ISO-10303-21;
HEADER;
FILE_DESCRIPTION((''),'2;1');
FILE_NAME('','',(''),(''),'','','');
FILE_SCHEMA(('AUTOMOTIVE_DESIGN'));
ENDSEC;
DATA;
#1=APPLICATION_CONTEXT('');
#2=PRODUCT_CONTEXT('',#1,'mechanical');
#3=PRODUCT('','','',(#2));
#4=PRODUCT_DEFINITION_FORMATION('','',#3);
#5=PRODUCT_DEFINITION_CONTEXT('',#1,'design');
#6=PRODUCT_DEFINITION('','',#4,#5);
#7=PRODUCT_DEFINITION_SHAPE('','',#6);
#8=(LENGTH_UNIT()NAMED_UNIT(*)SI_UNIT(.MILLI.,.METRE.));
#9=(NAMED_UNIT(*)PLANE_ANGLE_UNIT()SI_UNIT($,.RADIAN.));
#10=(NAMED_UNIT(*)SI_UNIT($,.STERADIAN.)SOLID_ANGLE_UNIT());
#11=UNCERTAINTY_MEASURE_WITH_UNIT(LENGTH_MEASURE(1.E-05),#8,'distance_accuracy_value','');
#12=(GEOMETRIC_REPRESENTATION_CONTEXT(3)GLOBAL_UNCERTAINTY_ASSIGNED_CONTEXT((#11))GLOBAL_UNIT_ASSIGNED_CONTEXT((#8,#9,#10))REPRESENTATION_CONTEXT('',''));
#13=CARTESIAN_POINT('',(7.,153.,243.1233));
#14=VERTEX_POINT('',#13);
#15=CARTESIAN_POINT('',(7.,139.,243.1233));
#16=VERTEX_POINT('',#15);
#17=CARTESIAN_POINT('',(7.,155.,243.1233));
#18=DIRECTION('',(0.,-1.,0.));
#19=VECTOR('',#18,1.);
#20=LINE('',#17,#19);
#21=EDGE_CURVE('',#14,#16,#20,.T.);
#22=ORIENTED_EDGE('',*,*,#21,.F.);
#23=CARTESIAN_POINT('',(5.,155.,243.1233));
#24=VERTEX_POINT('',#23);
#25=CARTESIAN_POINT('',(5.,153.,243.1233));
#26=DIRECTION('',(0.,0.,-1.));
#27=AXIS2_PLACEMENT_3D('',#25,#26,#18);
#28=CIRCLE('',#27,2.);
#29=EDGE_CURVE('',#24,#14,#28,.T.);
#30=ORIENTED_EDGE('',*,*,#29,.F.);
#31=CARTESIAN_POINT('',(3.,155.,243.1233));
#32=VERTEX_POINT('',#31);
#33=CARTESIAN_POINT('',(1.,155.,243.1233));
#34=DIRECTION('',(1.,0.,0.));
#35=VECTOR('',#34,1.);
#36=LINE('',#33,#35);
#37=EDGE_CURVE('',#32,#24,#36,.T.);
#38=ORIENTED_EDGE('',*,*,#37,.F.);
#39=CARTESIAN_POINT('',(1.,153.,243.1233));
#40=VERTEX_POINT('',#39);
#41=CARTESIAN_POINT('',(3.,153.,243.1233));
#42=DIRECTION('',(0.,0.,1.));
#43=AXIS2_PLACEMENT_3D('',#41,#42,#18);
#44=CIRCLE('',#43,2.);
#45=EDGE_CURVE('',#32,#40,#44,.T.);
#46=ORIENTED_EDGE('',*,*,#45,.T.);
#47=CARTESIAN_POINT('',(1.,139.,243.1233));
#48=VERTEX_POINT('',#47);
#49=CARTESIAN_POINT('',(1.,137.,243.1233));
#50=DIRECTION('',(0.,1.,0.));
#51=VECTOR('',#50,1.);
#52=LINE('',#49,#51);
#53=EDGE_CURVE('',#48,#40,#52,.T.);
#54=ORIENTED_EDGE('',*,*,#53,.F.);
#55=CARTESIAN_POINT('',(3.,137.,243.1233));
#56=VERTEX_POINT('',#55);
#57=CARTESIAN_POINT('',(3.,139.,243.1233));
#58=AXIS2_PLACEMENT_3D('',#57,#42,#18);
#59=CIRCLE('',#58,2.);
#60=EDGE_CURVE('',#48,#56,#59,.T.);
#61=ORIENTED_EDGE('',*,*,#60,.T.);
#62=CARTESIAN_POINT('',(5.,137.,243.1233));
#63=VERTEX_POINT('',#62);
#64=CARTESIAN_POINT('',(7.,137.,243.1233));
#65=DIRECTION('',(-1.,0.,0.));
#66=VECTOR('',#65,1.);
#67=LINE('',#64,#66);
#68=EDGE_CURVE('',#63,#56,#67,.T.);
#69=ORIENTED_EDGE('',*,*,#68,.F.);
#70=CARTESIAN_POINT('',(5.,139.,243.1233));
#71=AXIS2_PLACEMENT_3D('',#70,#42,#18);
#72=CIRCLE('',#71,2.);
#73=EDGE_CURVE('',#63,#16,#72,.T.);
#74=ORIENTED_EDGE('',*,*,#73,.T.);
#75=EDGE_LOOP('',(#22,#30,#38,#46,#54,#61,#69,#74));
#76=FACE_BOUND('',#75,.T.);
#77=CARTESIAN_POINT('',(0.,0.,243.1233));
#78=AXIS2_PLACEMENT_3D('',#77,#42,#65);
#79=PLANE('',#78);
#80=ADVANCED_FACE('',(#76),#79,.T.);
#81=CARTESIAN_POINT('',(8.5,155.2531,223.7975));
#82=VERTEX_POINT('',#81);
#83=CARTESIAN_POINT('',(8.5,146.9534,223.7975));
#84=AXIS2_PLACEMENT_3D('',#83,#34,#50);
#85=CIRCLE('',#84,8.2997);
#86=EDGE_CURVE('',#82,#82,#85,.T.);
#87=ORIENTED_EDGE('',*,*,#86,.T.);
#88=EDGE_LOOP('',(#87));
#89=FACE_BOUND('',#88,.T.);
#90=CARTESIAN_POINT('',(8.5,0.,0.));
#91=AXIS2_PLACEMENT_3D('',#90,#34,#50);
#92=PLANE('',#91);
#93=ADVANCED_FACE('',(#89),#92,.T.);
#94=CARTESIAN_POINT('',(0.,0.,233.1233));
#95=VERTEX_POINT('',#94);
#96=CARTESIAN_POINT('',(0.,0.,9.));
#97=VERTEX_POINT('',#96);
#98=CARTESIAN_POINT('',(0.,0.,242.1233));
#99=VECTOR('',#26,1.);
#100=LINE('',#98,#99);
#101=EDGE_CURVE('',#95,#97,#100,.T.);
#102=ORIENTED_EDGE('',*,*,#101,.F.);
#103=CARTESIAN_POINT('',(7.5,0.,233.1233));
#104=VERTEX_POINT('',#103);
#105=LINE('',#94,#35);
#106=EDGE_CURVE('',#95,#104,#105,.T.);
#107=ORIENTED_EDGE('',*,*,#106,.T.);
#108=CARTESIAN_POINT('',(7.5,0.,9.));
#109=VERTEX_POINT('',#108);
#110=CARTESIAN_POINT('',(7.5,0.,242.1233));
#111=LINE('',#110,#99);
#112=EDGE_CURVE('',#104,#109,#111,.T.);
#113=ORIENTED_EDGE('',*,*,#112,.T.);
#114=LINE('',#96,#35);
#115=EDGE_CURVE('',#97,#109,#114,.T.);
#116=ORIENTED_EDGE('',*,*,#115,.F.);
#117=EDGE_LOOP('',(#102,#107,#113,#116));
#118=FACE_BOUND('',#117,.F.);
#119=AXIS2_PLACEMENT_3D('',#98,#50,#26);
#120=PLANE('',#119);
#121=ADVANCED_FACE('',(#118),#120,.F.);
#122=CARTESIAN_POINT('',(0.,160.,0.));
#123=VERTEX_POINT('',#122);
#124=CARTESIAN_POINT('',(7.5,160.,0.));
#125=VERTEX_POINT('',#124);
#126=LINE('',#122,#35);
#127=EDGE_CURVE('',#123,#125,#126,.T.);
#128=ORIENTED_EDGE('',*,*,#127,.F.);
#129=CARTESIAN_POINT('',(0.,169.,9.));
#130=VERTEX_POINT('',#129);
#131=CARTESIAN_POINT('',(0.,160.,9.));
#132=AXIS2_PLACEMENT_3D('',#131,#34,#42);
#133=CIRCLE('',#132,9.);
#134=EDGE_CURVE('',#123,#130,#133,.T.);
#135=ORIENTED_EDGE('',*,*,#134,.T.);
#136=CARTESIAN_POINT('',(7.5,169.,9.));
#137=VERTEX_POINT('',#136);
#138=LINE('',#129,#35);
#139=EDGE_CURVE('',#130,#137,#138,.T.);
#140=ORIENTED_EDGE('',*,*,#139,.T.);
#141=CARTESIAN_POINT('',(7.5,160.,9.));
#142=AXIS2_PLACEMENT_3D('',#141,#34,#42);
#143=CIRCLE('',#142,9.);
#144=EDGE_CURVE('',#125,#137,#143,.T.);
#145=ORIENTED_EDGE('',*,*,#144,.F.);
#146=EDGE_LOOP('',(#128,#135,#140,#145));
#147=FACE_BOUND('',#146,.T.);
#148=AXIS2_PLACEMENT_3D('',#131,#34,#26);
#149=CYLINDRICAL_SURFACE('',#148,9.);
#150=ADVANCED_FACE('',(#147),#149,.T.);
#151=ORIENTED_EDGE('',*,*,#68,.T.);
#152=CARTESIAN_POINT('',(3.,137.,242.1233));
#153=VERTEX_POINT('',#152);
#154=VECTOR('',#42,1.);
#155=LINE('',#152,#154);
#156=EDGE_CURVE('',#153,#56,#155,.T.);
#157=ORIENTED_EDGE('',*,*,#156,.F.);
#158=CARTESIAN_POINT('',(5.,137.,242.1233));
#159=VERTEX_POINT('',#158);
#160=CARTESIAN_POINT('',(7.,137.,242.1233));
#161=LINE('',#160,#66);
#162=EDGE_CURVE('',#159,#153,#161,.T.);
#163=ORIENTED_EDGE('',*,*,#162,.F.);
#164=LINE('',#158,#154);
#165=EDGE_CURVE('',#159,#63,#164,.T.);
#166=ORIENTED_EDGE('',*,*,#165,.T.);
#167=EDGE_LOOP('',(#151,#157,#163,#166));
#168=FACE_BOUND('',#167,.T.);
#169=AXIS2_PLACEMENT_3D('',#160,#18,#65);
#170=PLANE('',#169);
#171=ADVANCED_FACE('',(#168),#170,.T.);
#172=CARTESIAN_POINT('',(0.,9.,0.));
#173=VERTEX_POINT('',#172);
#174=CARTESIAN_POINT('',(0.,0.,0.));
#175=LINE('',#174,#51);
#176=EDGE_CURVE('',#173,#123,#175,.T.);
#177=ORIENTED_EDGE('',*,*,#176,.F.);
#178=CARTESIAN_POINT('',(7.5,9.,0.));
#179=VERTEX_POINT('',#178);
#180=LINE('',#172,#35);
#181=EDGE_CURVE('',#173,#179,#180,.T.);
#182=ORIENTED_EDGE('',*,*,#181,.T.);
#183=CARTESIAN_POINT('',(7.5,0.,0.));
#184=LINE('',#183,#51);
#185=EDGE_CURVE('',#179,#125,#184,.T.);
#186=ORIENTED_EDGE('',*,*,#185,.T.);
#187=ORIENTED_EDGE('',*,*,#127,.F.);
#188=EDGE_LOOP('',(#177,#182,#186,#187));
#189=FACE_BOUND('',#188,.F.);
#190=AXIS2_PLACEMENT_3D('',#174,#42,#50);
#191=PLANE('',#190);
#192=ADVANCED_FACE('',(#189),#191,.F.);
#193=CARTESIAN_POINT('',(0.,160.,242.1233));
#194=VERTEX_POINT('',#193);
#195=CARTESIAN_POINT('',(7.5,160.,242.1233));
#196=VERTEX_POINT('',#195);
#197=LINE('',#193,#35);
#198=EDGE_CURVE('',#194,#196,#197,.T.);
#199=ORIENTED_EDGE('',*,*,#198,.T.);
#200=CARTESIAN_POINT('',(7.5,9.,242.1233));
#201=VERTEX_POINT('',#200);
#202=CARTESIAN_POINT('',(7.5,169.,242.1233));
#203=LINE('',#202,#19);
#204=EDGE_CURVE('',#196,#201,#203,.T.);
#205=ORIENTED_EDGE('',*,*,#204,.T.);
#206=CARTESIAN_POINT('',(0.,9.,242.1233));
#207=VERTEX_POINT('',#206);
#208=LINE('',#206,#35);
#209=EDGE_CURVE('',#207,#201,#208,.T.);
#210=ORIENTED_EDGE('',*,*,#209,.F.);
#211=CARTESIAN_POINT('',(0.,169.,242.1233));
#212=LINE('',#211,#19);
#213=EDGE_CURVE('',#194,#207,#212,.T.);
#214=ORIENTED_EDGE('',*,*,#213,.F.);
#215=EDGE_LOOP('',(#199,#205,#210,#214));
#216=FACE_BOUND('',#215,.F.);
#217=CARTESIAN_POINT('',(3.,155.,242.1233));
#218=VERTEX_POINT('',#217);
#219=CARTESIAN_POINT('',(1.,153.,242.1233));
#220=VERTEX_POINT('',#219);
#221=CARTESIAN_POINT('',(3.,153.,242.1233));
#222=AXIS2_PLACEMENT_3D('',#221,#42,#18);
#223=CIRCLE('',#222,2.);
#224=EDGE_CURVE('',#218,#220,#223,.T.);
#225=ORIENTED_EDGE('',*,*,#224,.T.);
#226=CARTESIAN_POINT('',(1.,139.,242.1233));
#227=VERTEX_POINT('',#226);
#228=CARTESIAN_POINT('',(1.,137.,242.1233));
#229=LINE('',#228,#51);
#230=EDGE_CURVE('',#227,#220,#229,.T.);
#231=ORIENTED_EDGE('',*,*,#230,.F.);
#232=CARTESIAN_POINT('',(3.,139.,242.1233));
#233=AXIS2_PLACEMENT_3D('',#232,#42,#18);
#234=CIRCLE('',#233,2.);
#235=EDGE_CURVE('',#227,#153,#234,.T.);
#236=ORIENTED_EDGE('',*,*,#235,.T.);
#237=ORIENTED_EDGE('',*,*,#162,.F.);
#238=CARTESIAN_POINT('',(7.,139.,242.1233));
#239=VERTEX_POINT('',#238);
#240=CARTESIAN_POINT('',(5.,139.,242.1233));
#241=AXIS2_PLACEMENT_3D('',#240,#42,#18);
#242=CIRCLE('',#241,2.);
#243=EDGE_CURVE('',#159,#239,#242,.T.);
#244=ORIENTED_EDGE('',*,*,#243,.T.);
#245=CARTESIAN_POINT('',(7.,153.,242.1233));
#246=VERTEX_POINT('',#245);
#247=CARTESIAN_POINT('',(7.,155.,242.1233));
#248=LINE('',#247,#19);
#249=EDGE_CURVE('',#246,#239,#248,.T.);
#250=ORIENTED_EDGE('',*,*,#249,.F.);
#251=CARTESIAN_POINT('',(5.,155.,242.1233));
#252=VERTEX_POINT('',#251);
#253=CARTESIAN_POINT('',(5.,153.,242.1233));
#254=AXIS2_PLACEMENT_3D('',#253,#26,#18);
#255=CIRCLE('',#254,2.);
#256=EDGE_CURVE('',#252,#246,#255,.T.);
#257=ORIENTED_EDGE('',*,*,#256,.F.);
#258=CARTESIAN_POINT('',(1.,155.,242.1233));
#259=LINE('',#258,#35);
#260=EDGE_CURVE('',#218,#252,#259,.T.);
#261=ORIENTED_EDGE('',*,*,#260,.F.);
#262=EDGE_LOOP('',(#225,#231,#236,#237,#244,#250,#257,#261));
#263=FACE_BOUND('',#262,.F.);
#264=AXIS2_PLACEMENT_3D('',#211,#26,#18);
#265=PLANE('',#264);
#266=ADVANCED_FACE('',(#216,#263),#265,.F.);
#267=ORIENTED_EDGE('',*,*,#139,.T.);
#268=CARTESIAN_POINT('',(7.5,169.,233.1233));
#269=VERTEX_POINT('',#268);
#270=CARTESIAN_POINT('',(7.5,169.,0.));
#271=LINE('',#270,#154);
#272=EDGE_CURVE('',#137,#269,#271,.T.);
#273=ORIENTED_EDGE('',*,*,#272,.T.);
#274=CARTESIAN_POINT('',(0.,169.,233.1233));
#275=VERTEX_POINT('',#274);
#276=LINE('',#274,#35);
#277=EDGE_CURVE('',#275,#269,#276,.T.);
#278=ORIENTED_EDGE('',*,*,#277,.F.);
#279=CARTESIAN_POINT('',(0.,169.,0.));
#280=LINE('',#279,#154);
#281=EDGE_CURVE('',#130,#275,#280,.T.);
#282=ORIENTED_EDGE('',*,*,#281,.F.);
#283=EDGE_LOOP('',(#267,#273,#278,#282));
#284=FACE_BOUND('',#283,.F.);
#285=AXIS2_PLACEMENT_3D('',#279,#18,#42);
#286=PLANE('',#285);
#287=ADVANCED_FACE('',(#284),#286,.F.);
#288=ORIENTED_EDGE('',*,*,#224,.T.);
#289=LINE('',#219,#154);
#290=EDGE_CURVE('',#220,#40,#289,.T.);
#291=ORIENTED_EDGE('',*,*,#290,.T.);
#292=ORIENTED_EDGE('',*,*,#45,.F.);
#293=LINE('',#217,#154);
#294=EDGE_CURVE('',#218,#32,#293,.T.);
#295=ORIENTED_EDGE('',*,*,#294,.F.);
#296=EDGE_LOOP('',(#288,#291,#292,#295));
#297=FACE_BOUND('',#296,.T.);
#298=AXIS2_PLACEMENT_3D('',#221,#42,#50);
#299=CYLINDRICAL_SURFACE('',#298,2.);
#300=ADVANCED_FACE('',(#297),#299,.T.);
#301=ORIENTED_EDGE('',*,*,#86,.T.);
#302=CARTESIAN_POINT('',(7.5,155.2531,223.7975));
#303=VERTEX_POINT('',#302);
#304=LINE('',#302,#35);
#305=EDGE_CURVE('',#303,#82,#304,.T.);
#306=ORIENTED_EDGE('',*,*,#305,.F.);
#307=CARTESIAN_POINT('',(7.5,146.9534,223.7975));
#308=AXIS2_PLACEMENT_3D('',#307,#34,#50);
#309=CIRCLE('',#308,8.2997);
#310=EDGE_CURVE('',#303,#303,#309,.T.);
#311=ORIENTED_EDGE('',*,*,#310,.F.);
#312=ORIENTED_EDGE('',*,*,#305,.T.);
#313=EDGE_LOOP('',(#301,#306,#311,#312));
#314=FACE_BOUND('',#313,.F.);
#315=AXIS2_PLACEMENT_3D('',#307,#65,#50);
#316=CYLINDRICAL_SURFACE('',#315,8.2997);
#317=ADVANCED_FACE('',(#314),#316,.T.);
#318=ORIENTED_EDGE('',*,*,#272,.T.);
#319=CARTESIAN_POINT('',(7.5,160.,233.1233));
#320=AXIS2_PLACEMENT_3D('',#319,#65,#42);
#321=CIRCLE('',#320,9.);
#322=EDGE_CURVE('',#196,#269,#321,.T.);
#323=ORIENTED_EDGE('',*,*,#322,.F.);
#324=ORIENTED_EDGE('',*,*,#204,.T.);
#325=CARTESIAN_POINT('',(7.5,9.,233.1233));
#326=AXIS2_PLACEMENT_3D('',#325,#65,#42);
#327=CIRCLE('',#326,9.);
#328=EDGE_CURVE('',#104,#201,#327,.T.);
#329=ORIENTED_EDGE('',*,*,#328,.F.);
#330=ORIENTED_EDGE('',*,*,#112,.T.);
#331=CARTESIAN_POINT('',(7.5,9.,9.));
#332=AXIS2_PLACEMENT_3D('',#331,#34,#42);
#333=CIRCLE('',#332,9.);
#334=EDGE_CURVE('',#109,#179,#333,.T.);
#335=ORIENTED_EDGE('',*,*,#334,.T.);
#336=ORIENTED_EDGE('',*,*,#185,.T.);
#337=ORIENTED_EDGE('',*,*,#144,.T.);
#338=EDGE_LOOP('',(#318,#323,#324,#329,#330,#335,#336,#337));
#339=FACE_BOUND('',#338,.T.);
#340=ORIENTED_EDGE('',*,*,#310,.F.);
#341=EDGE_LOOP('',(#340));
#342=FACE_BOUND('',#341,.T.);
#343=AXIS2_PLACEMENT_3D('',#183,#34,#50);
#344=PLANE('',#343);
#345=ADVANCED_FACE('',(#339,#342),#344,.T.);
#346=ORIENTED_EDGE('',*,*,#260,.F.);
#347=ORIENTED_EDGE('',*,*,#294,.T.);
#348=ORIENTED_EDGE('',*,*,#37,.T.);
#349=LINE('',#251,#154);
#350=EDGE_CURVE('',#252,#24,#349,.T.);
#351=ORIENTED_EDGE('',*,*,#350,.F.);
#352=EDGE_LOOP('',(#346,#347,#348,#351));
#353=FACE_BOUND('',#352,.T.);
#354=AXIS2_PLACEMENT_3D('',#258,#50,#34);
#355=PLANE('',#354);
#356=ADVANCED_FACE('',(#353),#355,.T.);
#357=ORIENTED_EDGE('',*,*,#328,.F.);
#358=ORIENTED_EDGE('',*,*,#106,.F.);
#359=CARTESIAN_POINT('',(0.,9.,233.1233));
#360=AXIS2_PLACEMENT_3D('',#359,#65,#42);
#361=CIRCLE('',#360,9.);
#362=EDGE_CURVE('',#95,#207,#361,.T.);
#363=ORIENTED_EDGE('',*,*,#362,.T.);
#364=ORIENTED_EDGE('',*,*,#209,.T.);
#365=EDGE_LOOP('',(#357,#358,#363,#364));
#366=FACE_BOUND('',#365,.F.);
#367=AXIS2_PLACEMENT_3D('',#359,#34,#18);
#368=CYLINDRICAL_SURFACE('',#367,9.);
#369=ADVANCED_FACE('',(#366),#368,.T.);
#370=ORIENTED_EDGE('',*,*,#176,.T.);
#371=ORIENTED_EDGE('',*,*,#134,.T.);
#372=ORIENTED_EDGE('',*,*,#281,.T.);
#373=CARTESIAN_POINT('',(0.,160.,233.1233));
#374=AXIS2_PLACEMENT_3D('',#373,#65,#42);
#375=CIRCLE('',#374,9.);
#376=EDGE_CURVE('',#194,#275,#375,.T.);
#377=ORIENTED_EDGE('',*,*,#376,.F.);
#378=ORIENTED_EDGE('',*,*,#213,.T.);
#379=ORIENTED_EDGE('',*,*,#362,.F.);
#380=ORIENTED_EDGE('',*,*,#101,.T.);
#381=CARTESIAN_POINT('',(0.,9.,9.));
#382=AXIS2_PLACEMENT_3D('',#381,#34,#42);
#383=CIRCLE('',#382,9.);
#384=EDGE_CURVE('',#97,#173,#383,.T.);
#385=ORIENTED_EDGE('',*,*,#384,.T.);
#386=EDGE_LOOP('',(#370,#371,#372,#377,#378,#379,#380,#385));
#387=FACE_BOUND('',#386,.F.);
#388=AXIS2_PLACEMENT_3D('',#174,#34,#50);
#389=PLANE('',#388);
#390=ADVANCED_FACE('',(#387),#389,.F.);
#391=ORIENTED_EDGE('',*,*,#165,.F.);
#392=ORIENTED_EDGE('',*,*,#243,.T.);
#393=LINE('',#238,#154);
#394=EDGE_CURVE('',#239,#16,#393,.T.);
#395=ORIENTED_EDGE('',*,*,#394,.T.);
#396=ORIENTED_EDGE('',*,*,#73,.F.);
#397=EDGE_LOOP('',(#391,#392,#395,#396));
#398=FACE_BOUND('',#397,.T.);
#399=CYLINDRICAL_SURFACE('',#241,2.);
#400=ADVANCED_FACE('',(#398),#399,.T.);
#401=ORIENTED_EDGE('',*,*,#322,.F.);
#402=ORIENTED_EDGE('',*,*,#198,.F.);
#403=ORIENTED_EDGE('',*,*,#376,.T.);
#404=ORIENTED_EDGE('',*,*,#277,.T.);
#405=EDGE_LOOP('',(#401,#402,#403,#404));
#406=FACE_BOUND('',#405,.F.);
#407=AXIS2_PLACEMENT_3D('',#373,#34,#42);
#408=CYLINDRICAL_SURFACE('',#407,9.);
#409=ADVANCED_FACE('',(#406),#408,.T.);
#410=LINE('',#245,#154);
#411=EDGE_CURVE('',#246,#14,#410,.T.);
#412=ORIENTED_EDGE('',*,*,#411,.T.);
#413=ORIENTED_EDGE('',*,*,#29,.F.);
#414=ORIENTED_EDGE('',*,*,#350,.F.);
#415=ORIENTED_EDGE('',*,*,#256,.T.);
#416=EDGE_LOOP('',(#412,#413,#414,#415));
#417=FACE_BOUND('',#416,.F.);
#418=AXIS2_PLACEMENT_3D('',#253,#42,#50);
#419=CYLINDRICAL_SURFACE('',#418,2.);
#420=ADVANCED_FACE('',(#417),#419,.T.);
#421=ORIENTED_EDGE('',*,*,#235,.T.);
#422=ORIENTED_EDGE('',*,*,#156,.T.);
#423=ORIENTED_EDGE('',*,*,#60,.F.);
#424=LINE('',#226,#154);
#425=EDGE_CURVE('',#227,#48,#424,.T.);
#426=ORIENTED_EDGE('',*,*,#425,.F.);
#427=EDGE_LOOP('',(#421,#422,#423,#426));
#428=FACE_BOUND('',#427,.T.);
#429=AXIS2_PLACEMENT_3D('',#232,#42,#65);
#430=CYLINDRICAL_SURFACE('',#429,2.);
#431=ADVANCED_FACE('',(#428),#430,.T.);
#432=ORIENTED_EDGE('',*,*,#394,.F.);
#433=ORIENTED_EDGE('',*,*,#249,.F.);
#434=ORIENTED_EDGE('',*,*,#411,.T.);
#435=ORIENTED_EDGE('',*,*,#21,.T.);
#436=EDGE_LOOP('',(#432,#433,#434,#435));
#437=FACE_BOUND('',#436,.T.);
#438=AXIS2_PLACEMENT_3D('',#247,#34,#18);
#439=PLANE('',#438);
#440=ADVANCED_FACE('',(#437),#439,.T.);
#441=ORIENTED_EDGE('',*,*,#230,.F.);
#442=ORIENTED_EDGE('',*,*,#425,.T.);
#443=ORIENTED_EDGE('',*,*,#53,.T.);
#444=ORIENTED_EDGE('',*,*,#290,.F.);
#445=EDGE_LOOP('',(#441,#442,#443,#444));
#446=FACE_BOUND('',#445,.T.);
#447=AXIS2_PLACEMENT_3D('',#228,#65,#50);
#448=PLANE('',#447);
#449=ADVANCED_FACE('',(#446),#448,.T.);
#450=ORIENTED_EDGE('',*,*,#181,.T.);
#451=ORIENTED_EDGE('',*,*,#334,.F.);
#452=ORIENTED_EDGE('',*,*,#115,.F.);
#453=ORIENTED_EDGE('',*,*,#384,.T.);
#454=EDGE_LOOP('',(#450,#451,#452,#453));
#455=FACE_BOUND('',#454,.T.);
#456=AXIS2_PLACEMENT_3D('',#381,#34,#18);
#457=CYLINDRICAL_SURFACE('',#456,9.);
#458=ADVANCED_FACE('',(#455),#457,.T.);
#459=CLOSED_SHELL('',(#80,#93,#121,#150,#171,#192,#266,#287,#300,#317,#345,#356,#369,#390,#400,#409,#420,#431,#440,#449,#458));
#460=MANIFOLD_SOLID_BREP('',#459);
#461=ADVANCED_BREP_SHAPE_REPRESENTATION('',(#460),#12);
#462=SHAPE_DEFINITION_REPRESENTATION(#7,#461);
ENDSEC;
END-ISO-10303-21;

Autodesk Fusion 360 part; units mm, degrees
sketch "Sketch1" plane through (0, 0, 0) normal (1, 0, 0) x (0, 1, 0)
  line L0 (0, 0) -> (169, 0)
  line L1 (169, 0) -> (169, 242.1233)
  line L2 (169, 242.1233) -> (0, 242.1233)
  line L3 (0, 242.1233) -> (0, 0)
  dimension "d1" = 169
extrude "Extrude1" add sketch "Sketch1" along normal blind 7.5
sketch "Sketch2" plane through (0, 0, 0) normal (-1, 0, 0) x (0, -1, 0)
  line L0 (0, 0) -> (0, 242.1233)
  line L1 (0, 242.1233) -> (-169, 242.1233)
  line L2 (-169, 242.1233) -> (-169, 0)
  line L3 (-169, 0) -> (0, 0)
fillet "Fillet1" radius 9 1 edges at (3.75, 0, 242.1233)
fillet "Fillet2" radius 9 1 edges at (3.75, 169, 242.1233)
fillet "Fillet3" radius 9 1 edges at (3.75, 0, 0)
fillet "Fillet4" radius 9 1 edges at (3.75, 169, 0)
sketch "Sketch3" plane through (0, 0, 0) normal (-1, 0, 0) x (0, -1, 0)
  circle A0 centre (-85, 235) radius 5
sketch "Sketch4" plane through (0, 0, 0) normal (-1, 0, 0) x (0, -1, 0)
  circle A0 centre (-84.9515, 235.215) radius 0
sketch "Sketch5" plane through (0, 0, 0) normal (-1, 0, 0) x (0, -1, 0)
  circle A0 centre (-85.1812, 235.1149) radius 3
  dimension "d8" = 6
sketch "Sketch6" plane through (0, 0, 0) normal (-1, 0, 0) x (0, -1, 0)
  line L0 (-10, 230) -> (-160, 230)
  line L1 (-160, 230) -> (-160, 10)
  line L2 (-160, 10) -> (-10, 10)
  line L3 (-10, 10) -> (-10, 230)
sketch "Sketch7" plane through (0, 0, 0) normal (-1, 0, 0) x (0, -1, 0)
sketch "Sketch8" plane through (0, 0, 0) normal (-1, 0, 0) x (0, -1, 0)
sketch "Sketch9" plane through (0, 0, 0) normal (-1, 0, 0) x (0, -1, 0)
sketch "Sketch10" plane through (0, 0, 0) normal (-1, 0, 0) x (0, -1, 0)
sketch "Sketch11" plane through (0, 0, 0) normal (0, 0, -1) x (1, 0, 0)
  line L0 (0, -160) -> (7.5, -160)
  line L1 (7.5, -160) -> (7.5, -9)
  line L2 (7.5, -9) -> (0, -9)
  line L3 (0, -9) -> (0, -160)
sketch "Sketch12" plane through (0, 0, 242.1233) normal (0, 0, 1) x (-1, 0, 0)
  line L0 (-7.5, -160) -> (0, -160)
  line L1 (0, -160) -> (0, -9)
  line L2 (0, -9) -> (-7.5, -9)
  line L3 (-7.5, -9) -> (-7.5, -160)
  line L4 (-1, -155) -> (-7, -155)
  line L5 (-7, -155) -> (-7, -137)
  line L6 (-7, -137) -> (-1, -137)
  line L7 (-1, -137) -> (-1, -155)
extrude "Extrude2" add sketch "Sketch12" along normal blind 1 contours L4 L5 L6 L7
fillet "Fillet5" radius 2 1 edges at (1, 155, 242.6233)
fillet "Fillet6" radius 2 1 edges at (7, 155, 242.6233)
fillet "Fillet7" radius 2 1 edges at (1, 137, 242.6233)
fillet "Fillet8" radius 2 1 edges at (7, 137, 242.6233)
sketch "Sketch13" plane through (7.5, 0, 0) normal (1, 0, 0) x (0, 1, 0)
  arc A0 (160, 0) -> (169, 9) centre (160, 9) ccw
  line L0 (169, 9) -> (169, 233.1233)
  arc A1 (169, 233.1233) -> (160, 242.1233) centre (160, 233.1233) ccw
  line L1 (160, 242.1233) -> (9, 242.1233)
  arc A2 (9, 242.1233) -> (0, 233.1233) centre (9, 233.1233) ccw
  line L2 (0, 233.1233) -> (0, 9)
  arc A3 (0, 9) -> (9, 0) centre (9, 9) ccw
  line L3 (9, 0) -> (160, 0)
  circle A4 centre (146.9534, 223.7975) radius 8.2997
  circle A5 centre (147.3608, 209.8046) radius 2.0283
  dimension "d15" = 16.5995
extrude "Extrude3" add sketch "Sketch13" along normal blind 1 contours A4
